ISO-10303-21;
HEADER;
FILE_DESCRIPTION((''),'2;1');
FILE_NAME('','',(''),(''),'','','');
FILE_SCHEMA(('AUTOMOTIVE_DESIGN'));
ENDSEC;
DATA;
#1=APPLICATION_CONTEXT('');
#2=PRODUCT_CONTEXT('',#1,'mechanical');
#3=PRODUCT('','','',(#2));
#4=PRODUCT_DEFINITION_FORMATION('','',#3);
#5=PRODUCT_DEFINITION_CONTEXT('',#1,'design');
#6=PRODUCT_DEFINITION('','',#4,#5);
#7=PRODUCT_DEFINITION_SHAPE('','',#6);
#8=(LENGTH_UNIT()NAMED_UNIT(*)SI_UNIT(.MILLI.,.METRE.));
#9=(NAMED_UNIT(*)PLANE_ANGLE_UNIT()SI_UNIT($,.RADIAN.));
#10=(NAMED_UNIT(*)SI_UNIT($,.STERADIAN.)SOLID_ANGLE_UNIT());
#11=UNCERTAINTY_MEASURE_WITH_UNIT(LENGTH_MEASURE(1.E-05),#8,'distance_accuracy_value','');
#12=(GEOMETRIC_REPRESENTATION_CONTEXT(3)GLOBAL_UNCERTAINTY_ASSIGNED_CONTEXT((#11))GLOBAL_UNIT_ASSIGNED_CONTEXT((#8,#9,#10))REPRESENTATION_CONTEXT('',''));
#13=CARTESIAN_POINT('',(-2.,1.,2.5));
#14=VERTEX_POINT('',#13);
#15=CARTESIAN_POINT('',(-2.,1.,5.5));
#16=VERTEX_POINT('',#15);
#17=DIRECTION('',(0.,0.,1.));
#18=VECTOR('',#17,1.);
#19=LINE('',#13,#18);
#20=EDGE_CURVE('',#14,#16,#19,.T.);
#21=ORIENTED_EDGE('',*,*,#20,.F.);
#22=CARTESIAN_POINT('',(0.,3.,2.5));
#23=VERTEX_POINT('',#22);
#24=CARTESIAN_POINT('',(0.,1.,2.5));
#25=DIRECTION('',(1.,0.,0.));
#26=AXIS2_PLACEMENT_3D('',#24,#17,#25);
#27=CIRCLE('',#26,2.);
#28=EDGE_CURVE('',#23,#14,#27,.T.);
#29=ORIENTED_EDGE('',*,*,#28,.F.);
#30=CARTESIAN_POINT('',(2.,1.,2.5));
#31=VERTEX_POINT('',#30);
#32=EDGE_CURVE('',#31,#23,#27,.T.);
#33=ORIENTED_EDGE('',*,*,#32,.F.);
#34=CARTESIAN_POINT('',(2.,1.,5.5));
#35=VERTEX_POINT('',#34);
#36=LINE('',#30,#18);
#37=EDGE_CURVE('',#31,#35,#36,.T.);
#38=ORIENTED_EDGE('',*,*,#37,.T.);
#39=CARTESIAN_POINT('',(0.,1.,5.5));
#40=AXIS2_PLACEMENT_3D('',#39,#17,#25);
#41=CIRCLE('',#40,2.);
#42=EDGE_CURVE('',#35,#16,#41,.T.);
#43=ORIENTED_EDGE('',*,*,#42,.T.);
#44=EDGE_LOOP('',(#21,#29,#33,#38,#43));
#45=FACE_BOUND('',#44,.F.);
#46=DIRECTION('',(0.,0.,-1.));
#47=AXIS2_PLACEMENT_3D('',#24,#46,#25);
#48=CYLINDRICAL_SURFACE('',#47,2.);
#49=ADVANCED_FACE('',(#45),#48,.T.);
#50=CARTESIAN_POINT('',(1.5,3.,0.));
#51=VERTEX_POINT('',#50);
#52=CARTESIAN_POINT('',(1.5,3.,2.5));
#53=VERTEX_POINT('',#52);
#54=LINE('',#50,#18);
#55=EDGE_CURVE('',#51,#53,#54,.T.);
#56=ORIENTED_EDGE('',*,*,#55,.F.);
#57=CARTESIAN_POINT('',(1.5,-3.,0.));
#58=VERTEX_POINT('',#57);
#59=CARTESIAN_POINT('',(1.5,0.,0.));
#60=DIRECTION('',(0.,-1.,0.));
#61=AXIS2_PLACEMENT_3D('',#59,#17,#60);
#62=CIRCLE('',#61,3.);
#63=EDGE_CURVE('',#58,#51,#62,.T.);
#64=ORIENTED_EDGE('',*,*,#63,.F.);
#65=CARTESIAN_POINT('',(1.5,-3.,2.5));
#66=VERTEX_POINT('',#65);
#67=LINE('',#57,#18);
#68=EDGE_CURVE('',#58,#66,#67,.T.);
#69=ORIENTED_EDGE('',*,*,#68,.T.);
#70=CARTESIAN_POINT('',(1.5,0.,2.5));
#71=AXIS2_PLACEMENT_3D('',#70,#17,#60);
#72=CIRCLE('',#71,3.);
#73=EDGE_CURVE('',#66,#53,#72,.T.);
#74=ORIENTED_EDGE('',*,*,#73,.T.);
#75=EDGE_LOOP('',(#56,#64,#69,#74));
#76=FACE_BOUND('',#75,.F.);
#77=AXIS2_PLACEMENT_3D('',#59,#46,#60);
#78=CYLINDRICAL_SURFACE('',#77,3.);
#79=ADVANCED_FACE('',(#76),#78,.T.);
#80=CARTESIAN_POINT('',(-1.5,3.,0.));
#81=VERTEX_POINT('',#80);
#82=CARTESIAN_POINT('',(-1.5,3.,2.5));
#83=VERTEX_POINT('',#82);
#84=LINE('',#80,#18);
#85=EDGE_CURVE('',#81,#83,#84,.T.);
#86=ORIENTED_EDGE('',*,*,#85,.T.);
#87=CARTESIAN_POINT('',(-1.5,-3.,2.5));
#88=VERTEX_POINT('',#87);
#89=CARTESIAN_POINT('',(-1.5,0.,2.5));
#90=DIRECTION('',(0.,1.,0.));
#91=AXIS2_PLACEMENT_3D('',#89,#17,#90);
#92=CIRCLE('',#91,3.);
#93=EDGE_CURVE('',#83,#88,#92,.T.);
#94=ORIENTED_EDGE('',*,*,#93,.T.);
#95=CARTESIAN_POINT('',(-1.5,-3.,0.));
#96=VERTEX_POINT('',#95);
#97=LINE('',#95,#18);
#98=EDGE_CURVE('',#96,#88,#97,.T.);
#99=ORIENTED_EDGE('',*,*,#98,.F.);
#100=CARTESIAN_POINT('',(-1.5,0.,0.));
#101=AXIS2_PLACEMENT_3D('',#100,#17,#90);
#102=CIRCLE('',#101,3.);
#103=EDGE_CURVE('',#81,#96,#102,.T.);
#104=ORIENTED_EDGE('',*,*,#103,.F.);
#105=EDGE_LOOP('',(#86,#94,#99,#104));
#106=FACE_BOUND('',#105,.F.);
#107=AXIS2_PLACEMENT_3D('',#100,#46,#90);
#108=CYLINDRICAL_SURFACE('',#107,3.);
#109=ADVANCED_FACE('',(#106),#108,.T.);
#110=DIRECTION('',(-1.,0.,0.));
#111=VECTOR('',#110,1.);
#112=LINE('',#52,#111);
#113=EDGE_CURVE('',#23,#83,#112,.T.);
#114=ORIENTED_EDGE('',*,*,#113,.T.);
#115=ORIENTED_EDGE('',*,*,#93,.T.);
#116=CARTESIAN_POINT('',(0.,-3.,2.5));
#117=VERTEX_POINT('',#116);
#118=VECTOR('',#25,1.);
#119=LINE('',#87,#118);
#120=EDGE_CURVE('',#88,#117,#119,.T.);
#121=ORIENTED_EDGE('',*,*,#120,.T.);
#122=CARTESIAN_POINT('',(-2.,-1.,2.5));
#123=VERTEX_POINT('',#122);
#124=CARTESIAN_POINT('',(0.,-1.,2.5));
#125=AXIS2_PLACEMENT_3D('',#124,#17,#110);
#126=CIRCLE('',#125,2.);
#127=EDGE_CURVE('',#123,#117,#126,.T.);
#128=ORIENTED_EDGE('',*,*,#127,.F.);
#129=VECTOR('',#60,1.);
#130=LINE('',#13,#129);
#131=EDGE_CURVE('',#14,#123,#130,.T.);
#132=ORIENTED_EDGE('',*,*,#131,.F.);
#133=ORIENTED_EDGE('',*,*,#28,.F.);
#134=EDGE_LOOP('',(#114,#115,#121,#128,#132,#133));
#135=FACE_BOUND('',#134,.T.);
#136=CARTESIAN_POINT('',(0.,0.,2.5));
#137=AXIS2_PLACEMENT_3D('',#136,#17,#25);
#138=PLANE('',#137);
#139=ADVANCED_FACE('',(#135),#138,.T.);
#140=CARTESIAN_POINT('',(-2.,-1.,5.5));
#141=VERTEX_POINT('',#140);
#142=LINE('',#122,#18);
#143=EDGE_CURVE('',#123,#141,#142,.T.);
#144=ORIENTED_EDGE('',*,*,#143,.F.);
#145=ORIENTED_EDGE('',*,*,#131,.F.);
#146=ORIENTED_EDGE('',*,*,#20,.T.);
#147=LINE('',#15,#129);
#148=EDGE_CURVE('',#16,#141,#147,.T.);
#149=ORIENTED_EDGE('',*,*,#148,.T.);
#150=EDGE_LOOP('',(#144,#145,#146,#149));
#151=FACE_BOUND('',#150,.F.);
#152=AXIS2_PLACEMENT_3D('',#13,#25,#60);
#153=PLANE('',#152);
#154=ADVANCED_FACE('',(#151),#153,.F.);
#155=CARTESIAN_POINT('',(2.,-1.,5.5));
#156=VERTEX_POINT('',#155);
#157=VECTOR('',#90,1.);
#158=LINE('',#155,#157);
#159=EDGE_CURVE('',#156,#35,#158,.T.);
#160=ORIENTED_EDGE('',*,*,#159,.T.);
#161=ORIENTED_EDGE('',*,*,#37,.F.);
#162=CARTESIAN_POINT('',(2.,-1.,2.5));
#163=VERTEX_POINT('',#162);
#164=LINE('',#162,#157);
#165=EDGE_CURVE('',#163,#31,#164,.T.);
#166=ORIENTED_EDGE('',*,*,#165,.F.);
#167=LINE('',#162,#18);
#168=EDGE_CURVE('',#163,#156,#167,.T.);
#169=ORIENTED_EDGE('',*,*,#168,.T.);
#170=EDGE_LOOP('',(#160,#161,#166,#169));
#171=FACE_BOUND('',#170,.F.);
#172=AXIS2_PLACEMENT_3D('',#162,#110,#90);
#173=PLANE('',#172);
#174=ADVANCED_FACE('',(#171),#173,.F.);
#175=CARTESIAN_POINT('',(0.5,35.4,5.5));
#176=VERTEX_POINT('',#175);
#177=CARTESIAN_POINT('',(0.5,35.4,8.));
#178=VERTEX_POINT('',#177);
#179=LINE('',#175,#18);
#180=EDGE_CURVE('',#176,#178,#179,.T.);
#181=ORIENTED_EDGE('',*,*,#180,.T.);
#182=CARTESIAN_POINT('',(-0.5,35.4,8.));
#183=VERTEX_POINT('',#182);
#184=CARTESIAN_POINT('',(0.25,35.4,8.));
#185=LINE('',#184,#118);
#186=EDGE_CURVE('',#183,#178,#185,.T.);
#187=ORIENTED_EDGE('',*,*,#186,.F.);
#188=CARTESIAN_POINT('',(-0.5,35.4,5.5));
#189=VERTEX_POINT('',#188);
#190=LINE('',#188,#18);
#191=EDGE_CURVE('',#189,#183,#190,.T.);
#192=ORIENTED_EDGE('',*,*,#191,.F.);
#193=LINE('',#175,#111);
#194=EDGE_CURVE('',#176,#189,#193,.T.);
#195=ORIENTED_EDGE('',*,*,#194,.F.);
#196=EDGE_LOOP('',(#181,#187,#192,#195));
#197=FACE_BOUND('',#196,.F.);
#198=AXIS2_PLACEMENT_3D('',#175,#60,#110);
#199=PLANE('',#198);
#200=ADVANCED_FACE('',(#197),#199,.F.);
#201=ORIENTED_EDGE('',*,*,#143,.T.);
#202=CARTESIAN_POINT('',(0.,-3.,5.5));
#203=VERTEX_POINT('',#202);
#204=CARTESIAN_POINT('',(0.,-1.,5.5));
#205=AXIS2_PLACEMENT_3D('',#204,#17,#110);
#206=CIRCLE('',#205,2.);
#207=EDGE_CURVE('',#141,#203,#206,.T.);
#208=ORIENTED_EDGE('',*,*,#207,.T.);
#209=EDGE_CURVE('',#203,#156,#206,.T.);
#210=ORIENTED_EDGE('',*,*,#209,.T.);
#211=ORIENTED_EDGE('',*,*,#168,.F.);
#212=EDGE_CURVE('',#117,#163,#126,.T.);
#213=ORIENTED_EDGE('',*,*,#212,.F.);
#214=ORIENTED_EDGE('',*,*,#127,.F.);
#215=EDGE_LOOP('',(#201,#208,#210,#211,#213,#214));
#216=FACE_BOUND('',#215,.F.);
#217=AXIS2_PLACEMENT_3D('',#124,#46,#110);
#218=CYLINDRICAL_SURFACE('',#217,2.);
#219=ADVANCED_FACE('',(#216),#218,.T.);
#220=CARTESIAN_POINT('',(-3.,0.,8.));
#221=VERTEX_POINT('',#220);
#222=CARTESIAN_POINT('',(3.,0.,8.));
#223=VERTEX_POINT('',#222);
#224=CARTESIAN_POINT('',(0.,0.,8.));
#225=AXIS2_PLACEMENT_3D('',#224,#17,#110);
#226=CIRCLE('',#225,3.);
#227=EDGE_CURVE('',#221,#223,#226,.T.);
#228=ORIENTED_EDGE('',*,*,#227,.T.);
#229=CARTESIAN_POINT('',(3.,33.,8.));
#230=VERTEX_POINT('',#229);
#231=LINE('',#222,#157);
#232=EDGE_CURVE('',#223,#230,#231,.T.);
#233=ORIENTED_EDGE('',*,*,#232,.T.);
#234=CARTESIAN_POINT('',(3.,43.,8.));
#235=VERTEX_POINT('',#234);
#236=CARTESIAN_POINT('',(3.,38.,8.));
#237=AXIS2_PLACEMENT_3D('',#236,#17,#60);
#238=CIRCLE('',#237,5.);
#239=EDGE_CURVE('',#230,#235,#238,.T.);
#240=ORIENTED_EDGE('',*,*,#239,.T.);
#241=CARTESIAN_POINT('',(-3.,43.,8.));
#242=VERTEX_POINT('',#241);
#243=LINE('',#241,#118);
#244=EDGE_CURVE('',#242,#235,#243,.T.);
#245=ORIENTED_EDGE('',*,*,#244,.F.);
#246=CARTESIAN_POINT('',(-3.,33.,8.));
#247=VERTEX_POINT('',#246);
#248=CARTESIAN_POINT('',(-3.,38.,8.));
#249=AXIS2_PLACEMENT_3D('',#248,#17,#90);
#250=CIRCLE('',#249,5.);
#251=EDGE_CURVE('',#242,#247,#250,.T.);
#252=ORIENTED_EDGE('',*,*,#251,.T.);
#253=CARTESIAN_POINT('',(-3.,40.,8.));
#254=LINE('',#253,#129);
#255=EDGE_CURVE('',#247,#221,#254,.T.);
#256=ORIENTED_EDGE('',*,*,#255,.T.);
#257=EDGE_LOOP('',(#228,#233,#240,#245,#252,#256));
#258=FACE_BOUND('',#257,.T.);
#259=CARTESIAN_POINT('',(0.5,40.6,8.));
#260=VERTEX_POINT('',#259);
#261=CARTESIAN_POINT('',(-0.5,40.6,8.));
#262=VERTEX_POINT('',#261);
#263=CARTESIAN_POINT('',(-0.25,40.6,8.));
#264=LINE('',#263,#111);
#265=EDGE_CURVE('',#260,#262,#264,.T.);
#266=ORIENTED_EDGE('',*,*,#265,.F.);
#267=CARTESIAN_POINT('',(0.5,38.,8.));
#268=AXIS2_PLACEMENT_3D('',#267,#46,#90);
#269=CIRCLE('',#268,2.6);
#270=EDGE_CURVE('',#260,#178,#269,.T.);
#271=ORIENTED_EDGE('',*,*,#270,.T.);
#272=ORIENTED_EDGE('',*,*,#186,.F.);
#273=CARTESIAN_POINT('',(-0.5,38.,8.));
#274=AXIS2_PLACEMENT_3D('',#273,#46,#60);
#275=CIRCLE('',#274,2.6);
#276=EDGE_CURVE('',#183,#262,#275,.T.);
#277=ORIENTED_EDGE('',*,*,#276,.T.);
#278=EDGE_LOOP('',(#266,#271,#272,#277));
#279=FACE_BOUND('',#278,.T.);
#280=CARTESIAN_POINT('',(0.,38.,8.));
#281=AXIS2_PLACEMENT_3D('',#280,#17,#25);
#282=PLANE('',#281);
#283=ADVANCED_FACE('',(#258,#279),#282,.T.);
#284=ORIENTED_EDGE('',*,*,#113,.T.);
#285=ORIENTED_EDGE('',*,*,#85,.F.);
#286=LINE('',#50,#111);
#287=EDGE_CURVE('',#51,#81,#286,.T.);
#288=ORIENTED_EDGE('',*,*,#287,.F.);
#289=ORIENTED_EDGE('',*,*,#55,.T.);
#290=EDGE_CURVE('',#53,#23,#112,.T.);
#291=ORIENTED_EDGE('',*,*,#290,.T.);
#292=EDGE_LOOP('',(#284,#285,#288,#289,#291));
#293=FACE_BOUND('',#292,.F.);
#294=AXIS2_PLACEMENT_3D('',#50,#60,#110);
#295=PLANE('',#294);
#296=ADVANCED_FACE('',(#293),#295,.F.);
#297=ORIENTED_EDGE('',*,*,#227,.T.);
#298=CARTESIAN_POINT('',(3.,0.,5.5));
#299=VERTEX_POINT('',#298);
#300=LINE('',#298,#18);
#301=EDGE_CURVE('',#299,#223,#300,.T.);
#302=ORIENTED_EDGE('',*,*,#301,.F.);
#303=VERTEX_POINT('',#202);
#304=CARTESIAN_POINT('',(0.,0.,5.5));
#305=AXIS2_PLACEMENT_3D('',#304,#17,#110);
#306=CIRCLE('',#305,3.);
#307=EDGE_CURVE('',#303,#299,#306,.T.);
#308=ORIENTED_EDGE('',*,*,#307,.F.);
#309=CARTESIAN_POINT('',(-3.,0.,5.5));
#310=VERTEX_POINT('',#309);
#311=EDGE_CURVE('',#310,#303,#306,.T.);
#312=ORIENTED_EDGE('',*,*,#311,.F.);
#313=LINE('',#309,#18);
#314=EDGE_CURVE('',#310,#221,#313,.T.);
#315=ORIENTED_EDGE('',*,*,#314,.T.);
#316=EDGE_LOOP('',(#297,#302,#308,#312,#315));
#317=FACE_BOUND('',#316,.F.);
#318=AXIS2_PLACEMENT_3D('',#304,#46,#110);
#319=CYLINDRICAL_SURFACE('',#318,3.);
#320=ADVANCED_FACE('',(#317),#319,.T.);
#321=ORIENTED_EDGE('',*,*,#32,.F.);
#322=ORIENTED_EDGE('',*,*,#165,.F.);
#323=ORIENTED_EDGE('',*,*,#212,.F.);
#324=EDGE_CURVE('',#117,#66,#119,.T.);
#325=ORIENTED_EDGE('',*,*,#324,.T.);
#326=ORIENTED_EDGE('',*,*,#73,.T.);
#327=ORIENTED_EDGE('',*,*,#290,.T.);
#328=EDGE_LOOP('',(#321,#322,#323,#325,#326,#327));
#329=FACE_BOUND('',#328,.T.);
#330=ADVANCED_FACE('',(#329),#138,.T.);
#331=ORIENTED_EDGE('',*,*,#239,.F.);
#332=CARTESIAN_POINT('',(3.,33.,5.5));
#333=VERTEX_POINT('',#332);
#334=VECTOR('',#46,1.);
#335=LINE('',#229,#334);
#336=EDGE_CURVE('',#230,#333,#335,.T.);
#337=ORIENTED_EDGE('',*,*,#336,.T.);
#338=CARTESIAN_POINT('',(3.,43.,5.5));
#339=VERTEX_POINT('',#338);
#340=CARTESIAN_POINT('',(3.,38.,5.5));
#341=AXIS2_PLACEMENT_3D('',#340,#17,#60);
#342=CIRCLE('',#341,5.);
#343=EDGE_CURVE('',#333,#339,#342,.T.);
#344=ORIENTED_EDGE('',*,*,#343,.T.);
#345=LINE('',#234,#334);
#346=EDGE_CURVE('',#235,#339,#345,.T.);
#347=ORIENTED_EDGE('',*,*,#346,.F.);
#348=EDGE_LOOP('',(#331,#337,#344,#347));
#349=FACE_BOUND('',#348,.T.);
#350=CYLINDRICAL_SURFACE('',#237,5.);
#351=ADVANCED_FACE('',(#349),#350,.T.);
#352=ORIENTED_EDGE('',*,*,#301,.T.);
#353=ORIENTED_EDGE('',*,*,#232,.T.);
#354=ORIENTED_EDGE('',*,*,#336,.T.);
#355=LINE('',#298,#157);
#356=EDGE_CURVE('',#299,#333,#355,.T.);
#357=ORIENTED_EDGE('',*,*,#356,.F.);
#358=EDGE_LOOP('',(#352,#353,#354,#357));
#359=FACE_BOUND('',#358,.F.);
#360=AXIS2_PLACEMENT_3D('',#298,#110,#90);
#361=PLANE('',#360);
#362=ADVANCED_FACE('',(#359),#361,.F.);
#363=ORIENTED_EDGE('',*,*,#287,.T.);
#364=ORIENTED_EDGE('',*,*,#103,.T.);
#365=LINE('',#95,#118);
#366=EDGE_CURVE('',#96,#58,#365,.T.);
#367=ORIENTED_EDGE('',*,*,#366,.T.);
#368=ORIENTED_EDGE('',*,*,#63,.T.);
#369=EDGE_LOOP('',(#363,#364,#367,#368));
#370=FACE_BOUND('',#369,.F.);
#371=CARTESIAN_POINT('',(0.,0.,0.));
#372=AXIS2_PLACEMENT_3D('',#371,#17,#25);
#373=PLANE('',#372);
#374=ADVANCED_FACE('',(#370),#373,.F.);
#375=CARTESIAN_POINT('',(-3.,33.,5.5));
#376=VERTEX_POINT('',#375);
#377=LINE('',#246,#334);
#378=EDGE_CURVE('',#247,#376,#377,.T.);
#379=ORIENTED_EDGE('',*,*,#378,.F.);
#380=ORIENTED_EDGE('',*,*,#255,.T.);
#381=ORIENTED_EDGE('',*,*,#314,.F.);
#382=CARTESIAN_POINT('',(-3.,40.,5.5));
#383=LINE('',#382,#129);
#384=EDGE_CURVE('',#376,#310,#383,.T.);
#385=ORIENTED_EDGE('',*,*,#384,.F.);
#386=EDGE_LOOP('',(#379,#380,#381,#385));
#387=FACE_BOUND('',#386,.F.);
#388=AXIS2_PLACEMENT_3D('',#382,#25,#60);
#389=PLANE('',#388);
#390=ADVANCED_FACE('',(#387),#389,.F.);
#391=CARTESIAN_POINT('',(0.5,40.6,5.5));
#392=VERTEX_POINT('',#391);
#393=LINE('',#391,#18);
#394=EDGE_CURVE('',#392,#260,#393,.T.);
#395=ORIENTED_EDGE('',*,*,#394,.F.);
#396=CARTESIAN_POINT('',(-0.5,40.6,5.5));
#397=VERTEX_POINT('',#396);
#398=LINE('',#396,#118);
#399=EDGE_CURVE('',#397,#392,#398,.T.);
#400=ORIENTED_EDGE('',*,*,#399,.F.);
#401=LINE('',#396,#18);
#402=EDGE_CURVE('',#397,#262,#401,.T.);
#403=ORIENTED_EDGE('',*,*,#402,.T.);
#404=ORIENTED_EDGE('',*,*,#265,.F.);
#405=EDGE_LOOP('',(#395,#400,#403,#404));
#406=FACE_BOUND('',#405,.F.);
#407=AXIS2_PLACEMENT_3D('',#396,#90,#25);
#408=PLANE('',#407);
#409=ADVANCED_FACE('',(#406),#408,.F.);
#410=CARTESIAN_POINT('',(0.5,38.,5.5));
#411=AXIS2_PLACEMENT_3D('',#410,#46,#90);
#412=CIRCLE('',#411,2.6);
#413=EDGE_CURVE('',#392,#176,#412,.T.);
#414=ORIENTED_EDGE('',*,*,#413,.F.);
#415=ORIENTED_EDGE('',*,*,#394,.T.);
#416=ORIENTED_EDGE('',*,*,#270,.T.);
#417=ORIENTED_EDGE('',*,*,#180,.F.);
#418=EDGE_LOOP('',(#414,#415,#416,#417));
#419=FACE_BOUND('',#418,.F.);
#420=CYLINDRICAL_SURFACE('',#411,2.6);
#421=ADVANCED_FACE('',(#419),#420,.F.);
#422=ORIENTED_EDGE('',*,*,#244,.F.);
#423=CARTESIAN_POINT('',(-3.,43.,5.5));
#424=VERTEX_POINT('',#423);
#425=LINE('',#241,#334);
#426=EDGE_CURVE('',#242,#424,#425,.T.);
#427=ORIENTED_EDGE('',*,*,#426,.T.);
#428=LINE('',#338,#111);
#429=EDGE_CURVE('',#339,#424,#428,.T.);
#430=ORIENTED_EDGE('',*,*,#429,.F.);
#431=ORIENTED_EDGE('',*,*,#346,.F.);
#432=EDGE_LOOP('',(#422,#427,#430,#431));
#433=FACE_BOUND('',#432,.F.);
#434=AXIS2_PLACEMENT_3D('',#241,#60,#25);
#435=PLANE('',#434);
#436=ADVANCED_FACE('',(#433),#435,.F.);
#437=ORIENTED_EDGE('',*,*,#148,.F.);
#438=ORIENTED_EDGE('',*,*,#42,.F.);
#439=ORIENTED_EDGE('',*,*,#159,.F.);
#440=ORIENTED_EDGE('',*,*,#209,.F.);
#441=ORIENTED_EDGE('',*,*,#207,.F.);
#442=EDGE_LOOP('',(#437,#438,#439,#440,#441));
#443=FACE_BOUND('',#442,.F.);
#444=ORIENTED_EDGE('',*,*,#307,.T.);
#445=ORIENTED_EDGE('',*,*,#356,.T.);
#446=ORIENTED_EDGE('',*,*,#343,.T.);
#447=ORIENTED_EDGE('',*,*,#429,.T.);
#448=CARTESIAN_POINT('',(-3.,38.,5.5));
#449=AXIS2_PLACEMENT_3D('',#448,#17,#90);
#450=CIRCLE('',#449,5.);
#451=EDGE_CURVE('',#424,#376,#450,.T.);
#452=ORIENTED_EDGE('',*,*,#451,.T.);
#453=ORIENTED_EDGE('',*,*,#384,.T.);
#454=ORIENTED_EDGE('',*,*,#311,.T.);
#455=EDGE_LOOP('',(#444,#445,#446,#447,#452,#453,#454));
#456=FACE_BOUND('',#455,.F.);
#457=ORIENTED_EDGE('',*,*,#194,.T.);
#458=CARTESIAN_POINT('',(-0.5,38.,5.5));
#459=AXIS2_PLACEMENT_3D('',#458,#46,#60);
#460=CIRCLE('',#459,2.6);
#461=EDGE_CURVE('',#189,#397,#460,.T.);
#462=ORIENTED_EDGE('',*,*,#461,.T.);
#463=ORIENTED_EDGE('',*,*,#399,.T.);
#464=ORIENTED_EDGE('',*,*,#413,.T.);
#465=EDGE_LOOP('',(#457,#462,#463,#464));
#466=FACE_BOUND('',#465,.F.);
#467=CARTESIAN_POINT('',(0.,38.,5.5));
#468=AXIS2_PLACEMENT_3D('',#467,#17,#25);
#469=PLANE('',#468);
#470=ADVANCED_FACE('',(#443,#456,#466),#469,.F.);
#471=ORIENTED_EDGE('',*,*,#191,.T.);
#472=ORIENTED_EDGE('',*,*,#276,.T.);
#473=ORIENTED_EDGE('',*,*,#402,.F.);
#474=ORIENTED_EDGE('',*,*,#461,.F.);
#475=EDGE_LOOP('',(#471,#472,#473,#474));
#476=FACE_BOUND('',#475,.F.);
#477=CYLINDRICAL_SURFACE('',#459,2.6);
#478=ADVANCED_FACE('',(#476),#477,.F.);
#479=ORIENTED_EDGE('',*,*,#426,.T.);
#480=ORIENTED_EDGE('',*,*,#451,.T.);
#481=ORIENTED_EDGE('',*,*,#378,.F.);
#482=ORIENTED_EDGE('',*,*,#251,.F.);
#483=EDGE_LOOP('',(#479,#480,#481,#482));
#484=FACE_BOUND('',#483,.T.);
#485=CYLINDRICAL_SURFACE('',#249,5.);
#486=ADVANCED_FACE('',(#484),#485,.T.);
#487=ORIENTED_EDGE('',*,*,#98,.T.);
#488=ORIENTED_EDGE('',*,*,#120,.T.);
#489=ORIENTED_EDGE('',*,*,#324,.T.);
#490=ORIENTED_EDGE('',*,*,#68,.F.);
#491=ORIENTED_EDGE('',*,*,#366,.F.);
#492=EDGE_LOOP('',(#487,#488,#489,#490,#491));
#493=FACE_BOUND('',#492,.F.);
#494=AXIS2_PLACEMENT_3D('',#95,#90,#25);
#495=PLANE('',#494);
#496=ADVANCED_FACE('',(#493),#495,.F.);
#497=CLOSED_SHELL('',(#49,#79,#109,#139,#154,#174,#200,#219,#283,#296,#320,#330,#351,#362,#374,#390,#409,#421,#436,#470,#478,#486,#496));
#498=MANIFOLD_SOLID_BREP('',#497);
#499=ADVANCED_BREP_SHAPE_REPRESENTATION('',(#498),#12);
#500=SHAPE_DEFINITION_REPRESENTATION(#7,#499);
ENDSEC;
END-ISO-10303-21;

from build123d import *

# Parameters (mm, degrees)
PAD_DEPTH    = 2.5
PAD001_DEPTH = 3
PAD002_DEPTH = 2.5
PAD003_DEPTH = 2.5
POCKET_DEPTH = 2.501


with BuildPart() as part:
    # Sketch → Pad (new body)
    with BuildSketch(Plane.XY):
        with BuildLine():
            ThreePointArc((-1.5, 3), (-4.5, 0), (-1.5, -3))
            Line((-1.5, -3), (1.5, -3))
            ThreePointArc((1.5, -3), (4.5, 0), (1.5, 3))
            Line((1.5, 3), (-1.5, 3))
        make_face()
    extrude(amount=PAD_DEPTH)

    # Sketch001 (on Face6 of Pad) → Pad001 (join)
    with BuildSketch(Plane.XY.offset(2.5)):
        with BuildLine():
            ThreePointArc((2, 1), (0, 3), (-2, 1))
            Line((-2, 1), (-2, -1))
            ThreePointArc((-2, -1), (0, -3), (2, -1))
            Line((2, -1), (2, 1))
        make_face()
    extrude(amount=PAD001_DEPTH)

    # Sketch002 (on Face12 of Pad001) → Pad002 (join)
    with BuildSketch(Plane.XY.offset(5.5)):
        with BuildLine():
            ThreePointArc((3, 40), (0, 43), (-3, 40))
            Line((-3, 40), (-3, 0))
            ThreePointArc((-3, 0), (0, -3), (3, 0))
            Line((3, 0), (3, 40))
        make_face()
    extrude(amount=PAD002_DEPTH)

    # Sketch003 (on Face17 of Pad002) → Pad003 (join)
    with BuildSketch(Plane.XY.offset(8)):
        with BuildLine():
            ThreePointArc((-3, 43), (-8, 38), (-3, 33))
            Line((-3, 33), (3, 33))
            ThreePointArc((3, 33), (8, 38), (3, 43))
            Line((-3, 43), (3, 43))
        make_face()
    extrude(amount=-PAD003_DEPTH)

    # Sketch004 (on Face15 of Pad003) → Pocket (cut, through all)
    with BuildSketch(Plane(origin=(0, 0, 5.5), x_dir=(1, 0, 0), z_dir=(0, 0, -1))):
        with BuildLine():
            ThreePointArc((-0.5, -35.4), (-3.1, -38), (-0.5, -40.6))
            Line((-0.5, -40.6), (0.5, -40.6))
            ThreePointArc((0.5, -40.6), (3.1, -38), (0.5, -35.4))
            Line((0.5, -35.4), (-0.5, -35.4))
        make_face()
    extrude(amount=-POCKET_DEPTH, mode=Mode.SUBTRACT)


solid = part.part
